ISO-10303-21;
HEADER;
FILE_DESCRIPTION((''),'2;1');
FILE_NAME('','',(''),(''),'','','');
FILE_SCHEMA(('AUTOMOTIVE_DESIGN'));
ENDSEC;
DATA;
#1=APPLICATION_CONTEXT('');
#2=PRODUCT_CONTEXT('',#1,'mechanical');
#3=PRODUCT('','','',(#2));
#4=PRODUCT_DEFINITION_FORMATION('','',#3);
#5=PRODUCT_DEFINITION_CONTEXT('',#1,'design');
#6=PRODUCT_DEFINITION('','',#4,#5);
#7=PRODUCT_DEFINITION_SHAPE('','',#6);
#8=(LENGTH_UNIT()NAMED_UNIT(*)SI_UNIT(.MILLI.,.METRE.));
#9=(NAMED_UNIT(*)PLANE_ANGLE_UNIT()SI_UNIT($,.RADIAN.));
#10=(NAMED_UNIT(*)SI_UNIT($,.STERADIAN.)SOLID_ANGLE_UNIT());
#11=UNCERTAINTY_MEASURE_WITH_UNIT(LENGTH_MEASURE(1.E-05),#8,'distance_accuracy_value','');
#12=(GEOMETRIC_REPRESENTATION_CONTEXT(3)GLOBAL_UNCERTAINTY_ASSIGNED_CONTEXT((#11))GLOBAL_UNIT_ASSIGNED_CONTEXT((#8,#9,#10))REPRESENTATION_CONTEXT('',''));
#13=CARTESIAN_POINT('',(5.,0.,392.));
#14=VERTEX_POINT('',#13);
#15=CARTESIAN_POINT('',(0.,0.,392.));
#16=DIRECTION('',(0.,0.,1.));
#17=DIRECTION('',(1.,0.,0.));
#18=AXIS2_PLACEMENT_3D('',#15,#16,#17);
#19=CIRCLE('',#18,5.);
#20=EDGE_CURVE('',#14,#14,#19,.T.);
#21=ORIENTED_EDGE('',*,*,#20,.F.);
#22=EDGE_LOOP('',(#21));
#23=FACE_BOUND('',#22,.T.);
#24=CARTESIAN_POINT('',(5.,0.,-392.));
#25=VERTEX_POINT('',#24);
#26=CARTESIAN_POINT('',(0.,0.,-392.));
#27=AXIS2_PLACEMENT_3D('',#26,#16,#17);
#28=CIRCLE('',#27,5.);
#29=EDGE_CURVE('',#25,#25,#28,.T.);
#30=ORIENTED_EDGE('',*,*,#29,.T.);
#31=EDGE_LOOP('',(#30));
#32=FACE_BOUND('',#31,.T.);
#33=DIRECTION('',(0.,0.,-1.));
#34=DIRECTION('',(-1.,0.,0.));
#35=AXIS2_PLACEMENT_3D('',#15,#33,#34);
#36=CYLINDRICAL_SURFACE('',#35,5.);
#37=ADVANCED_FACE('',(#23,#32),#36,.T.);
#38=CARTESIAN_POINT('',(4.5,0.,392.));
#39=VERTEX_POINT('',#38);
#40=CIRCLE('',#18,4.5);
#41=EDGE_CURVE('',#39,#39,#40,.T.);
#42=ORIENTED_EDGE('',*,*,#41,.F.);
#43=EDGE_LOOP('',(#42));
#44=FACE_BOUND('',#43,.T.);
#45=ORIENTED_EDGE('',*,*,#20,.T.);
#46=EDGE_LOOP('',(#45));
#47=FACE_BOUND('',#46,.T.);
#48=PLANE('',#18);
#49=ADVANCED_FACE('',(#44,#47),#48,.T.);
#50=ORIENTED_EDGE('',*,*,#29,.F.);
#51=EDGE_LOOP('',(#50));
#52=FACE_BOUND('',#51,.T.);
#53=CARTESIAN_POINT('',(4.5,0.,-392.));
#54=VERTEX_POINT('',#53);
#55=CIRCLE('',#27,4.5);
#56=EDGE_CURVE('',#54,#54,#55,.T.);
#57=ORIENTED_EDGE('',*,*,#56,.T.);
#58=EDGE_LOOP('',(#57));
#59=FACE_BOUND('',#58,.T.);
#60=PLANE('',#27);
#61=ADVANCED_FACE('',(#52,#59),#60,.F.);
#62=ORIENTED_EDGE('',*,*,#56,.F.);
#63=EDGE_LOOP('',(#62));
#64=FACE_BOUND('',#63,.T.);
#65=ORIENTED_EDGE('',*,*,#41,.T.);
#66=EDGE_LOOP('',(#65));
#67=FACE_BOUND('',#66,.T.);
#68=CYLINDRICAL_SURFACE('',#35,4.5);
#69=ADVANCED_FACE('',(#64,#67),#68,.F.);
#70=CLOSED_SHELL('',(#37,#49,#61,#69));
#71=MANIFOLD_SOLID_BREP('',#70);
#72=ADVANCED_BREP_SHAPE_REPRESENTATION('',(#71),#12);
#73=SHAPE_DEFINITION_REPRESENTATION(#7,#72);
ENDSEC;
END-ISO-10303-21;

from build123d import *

# Parameters (mm, degrees)
SKETCH_1_R      = 5
SKETCH_1_R_2    = 4.5
EXTRUDE_1_DEPTH = 392


with BuildPart() as part:
    # Эскиз1 → Бобышка-Вытянуть1 (new body, symmetric)
    with BuildSketch(Plane.XY):
        Circle(SKETCH_1_R)
        Circle(SKETCH_1_R_2, mode=Mode.SUBTRACT)
    extrude(amount=EXTRUDE_1_DEPTH, both=True)


solid = part.part
